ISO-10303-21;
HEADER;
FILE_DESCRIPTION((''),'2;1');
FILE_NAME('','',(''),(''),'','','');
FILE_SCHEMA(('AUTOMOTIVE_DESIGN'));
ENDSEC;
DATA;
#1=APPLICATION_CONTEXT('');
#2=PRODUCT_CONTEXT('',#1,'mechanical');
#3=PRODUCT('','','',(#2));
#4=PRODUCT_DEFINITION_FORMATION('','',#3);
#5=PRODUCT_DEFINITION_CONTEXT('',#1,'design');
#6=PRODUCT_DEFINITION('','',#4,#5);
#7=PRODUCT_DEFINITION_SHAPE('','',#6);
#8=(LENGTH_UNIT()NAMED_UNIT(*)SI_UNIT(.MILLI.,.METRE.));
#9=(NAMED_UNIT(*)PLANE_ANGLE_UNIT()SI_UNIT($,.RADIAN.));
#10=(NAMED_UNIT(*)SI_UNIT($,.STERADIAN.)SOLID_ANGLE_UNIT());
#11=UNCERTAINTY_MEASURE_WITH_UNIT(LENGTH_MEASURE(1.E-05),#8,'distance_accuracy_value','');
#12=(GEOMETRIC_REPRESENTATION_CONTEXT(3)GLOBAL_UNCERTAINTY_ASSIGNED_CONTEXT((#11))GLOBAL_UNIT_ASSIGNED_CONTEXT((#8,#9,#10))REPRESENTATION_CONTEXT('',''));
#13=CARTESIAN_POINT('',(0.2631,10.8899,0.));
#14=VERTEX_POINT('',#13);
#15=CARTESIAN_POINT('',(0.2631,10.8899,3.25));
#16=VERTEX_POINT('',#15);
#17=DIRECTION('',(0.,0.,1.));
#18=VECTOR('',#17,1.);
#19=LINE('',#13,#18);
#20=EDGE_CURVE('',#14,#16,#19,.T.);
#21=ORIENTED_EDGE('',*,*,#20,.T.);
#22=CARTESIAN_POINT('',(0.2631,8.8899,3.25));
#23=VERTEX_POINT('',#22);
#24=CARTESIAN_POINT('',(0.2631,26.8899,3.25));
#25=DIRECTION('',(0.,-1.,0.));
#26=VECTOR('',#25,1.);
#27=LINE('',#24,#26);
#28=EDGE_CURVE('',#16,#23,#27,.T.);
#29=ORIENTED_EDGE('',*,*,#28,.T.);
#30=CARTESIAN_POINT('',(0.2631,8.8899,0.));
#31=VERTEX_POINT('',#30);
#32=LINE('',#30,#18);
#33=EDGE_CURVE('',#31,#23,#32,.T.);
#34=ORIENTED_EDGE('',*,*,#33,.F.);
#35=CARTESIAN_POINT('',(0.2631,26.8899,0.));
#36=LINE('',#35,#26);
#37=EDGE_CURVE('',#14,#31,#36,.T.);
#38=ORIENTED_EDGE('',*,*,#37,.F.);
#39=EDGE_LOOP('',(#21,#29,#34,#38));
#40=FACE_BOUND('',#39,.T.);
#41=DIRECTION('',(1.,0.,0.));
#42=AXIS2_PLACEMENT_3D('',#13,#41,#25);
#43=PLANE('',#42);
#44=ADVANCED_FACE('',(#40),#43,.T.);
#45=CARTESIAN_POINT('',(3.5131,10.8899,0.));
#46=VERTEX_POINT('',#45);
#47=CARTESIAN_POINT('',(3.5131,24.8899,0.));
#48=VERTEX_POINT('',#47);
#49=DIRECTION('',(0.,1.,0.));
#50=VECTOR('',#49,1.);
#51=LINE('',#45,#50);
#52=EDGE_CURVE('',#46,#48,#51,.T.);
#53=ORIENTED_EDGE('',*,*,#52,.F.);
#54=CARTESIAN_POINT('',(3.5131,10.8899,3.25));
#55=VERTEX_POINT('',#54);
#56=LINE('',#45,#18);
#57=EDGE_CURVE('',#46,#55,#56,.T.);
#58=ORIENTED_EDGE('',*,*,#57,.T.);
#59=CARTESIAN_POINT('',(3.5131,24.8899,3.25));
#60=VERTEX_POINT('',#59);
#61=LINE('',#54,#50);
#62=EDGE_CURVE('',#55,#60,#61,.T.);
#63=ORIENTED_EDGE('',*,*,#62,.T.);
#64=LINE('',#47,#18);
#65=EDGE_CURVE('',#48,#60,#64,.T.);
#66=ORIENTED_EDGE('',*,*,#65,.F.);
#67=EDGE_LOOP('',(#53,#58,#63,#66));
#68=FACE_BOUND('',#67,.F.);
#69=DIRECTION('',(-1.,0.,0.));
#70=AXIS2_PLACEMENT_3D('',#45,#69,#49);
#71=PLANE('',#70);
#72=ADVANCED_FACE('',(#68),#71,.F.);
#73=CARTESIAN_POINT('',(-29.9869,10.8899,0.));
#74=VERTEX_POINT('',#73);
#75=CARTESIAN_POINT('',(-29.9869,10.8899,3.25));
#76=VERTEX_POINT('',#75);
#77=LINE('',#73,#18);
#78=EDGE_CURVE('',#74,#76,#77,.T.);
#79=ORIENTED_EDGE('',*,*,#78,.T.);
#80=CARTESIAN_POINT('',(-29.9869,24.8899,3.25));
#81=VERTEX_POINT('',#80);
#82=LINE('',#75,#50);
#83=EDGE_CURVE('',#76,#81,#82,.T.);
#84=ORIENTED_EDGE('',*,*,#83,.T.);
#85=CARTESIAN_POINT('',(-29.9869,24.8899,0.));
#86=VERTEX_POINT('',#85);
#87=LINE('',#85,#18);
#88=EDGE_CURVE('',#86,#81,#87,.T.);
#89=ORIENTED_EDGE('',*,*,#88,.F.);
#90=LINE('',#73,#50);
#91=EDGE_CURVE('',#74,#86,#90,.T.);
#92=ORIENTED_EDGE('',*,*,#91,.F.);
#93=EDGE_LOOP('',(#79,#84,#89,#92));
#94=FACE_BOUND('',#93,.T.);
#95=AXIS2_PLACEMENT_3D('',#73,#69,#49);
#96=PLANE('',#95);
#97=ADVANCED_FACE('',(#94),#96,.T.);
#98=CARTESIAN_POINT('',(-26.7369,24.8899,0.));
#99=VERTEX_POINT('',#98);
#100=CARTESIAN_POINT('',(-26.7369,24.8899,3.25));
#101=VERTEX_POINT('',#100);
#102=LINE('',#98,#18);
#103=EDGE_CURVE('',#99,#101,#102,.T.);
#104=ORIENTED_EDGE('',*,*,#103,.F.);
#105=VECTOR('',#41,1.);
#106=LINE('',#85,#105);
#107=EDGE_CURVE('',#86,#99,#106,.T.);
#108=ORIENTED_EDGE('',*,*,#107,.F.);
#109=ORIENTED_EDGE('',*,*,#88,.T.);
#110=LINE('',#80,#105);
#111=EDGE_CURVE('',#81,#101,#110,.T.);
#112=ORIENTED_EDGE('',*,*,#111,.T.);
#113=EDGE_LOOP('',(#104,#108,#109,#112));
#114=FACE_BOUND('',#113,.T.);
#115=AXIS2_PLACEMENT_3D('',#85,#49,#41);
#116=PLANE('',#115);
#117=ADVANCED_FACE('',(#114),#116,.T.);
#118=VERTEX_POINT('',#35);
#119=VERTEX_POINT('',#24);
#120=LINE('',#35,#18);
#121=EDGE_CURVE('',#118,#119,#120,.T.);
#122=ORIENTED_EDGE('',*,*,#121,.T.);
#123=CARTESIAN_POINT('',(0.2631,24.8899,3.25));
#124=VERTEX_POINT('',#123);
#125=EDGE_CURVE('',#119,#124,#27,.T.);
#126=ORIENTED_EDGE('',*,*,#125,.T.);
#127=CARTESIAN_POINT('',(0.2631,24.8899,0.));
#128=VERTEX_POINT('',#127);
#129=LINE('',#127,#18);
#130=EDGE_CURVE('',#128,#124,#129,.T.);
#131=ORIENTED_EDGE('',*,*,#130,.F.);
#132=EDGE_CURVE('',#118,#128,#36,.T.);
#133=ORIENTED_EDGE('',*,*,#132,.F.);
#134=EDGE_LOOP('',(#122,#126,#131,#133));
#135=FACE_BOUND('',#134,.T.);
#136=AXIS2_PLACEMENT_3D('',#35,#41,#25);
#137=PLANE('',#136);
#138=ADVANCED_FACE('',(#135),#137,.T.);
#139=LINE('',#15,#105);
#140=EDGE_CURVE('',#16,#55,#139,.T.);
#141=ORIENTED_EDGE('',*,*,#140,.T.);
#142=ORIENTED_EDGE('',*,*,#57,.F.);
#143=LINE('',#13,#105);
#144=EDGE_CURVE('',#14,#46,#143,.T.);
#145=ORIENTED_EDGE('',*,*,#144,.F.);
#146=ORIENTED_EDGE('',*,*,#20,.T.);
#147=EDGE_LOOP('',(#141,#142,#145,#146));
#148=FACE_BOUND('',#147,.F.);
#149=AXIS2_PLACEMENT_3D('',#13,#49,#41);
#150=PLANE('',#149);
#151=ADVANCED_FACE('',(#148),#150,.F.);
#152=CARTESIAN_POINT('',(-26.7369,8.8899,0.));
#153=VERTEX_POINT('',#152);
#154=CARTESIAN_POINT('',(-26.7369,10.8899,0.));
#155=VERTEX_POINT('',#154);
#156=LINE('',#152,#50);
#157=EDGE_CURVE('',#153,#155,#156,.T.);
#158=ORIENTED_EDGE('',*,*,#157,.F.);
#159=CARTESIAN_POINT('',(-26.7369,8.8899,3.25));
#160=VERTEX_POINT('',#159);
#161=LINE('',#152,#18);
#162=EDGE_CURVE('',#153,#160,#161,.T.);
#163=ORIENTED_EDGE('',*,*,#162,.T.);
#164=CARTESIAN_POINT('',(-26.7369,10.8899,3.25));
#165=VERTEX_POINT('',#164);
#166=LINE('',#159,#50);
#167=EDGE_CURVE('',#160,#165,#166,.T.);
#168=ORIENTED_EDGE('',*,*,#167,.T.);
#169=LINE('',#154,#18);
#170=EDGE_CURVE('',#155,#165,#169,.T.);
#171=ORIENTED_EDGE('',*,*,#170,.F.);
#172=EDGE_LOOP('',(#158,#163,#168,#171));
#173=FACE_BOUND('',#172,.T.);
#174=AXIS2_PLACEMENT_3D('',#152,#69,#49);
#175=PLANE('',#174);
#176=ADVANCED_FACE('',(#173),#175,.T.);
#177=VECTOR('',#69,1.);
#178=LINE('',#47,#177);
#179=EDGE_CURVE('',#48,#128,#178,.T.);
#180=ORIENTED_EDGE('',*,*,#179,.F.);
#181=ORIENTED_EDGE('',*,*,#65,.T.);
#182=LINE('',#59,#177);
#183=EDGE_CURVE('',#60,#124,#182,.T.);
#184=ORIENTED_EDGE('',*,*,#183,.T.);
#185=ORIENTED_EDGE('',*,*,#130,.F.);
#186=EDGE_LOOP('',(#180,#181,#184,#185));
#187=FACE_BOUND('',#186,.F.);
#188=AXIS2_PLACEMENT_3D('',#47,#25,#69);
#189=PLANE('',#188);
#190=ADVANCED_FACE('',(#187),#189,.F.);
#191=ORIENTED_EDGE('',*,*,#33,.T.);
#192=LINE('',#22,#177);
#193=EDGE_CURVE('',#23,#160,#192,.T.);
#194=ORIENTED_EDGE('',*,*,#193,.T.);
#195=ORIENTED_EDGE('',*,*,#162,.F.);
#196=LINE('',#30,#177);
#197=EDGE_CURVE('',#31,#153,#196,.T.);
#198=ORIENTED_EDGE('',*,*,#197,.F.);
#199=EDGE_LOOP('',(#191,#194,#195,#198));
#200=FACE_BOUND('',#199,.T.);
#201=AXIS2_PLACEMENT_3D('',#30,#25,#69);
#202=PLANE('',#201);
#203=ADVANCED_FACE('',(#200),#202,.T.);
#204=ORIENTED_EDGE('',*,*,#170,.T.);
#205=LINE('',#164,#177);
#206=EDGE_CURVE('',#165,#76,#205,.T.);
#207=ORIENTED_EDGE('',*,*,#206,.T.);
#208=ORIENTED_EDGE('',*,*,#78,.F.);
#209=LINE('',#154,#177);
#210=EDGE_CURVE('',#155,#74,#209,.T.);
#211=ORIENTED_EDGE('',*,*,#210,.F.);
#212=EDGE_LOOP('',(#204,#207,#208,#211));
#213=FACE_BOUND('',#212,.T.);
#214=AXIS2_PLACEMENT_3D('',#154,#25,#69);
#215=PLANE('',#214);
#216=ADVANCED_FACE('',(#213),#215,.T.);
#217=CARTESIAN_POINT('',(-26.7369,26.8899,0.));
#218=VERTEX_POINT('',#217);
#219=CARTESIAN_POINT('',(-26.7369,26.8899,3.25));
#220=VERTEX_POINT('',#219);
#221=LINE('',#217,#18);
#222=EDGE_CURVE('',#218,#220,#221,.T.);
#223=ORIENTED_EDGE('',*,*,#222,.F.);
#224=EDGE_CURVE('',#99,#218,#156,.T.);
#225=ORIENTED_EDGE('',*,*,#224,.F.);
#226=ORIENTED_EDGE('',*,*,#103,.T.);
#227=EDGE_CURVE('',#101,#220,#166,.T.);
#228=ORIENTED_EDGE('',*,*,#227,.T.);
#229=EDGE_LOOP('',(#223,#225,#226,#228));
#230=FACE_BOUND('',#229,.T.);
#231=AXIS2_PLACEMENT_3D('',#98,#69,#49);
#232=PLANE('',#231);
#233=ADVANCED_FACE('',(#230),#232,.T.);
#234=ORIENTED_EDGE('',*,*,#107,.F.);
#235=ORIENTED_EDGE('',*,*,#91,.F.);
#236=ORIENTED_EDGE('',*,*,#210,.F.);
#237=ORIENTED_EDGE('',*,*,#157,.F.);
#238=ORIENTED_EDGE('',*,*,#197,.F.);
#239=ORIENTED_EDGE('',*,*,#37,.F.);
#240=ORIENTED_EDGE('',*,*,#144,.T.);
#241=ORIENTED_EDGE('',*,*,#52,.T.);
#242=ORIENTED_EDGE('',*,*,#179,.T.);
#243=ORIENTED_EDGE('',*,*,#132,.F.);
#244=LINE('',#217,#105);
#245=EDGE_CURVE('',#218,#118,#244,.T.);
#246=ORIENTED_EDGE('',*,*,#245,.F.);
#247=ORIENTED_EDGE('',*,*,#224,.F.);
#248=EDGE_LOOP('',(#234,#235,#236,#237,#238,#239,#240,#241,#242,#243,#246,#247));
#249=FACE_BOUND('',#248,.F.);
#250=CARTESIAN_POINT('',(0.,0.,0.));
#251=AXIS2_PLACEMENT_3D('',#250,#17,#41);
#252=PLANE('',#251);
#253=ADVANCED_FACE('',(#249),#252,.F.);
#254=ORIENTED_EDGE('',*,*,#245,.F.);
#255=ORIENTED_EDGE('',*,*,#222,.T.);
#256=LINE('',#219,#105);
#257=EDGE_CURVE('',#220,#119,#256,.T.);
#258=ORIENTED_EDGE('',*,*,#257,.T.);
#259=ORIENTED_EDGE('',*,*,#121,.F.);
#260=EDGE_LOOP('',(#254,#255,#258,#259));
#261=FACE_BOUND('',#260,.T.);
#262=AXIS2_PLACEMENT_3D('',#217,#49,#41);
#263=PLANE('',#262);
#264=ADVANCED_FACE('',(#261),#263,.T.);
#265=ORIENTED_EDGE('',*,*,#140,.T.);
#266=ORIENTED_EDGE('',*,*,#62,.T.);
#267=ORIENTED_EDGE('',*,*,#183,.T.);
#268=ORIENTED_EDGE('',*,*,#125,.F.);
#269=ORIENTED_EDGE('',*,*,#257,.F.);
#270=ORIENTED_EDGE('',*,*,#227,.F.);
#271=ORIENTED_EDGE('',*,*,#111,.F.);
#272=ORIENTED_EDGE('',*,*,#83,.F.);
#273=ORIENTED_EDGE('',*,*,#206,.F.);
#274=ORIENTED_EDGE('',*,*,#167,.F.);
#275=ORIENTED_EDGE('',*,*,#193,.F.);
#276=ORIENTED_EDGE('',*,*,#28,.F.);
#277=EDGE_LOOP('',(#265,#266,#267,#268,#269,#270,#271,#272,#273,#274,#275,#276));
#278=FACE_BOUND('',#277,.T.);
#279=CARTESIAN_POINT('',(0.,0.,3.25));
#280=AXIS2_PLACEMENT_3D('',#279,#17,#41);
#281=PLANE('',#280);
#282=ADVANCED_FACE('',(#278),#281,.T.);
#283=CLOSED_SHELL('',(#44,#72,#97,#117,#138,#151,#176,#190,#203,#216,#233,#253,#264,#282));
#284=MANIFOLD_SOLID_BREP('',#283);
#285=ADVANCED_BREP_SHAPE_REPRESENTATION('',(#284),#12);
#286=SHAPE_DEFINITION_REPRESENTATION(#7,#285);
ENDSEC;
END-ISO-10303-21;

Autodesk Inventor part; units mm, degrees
ref_plane "YZ Plane" through (0, 0, 0) normal (1, 0, 0) x (0, 1, 0)
ref_plane "XZ Plane" through (0, 0, 0) normal (0, 1, 0) x (-1, 0, 0)
ref_plane "XY Plane" through (0, 0, 0) normal (0, 0, 1) x (1, 0, 0)
sketch "Block1" plane through (0, 0, 0) normal (0, 0, 1) x (1, 0, 0)
  circle A0 centre (74.029, 24.2723) radius 1
  line L0 (49.279, 30.4723) -> (71.779, 30.4723)
  line L1 (71.779, 30.4723) -> (71.779, 18.0723)
  line L2 (71.779, 18.0723) -> (49.279, 18.0723)
  line L3 (49.279, 18.0723) -> (49.279, 30.4723)
  line L4 (49.279, 30.4723) -> (44.779, 30.4723)
  line L5 (44.779, 30.4723) -> (44.779, 18.0723)
  line L6 (44.779, 18.0723) -> (49.279, 18.0723)
  line L7 (49.279, 18.0723) -> (49.279, 30.4723)
  line L8 (71.779, 30.4723) -> (76.279, 30.4723)
  line L9 (76.279, 30.4723) -> (76.279, 18.0723)
  line L10 (76.279, 18.0723) -> (71.779, 18.0723)
  line L11 (71.779, 18.0723) -> (71.779, 30.4723)
  line L12 (44.779, 24.2723) -> (76.279, 24.2723) construction
  line L13 (47.029, 30.4723) -> (47.029, 18.0723) construction
  circle A1 centre (47.029, 24.2723) radius 1
  line L14 (74.029, 30.4723) -> (74.029, 18.0723) construction
  point P0 (60.979, 24.0984)
  dimension "d7" = 22.5
  dimension "d8" = 12.4
  dimension "d9" = 4.5
  dimension "d10" = 4.5
  dimension "d11" = 2
  dimension "d12" = 2
sketch "Sketch1" plane through (0, 0, 0) normal (0, 0, 1) x (1, 0, 0)
  line L0 (-92.7646, -8.503) -> (-89.7646, -8.503)
  line L1 (-89.7646, -8.503) -> (-89.7646, -11.753)
  line L2 (-89.7646, -11.753) -> (-92.7646, -11.753)
  line L3 (-92.7646, -11.753) -> (-92.7646, -8.503)
  line L4 (-92.7646, -21.6527) -> (-89.7646, -21.6527)
  line L5 (-89.7646, -21.6527) -> (-89.7646, -21.7527)
  line L6 (-89.7646, -21.7527) -> (-92.7646, -21.7527)
  line L7 (-92.7646, -21.7527) -> (-92.7646, -21.6527)
  line L8 (-26.7369, 26.8899) -> (0.2631, 26.8899)
  line L9 (0.2631, 26.8899) -> (0.2631, 8.8899)
  line L10 (0.2631, 8.8899) -> (-26.7369, 8.8899)
  line L11 (-26.7369, 8.8899) -> (-26.7369, 26.8899)
  line L12 (-29.9869, 24.8899) -> (-26.7369, 24.8899)
  line L13 (-26.7369, 24.8899) -> (-26.7369, 10.8899)
  line L14 (-26.7369, 10.8899) -> (-29.9869, 10.8899)
  line L15 (-29.9869, 10.8899) -> (-29.9869, 24.8899)
  line L16 (-29.9869, 17.8899) -> (-26.7369, 17.8899) construction
  line L17 (-26.7369, 17.8899) -> (0.2631, 17.8899) construction
  line L18 (-13.2369, 26.8899) -> (-13.2369, 8.8899) construction
  line L19 (3.5131, 24.8899) -> (0.2631, 24.8899)
  line L20 (0.2631, 24.8899) -> (0.2631, 10.8899)
  line L21 (0.2631, 10.8899) -> (3.5131, 10.8899)
  line L22 (3.5131, 10.8899) -> (3.5131, 24.8899)
  line L23 (3.5131, 17.8899) -> (0.2631, 17.8899) construction
  point P0 (0, 0)
  dimension "d0" = 3
  dimension "mat" = 3.25
  dimension "d2" = 3
  dimension "d3" = 0.1
  dimension "d42" = 27
  dimension "d43" = 18
  dimension "d44" = 3.25
  dimension "d45" = 14
extrude "Extrusion6" add sketch "Sketch1" along normal blind 3.25 contours L8 L9 L10 L11 | L11 L14 L15 L12 | L19 L22 L21 L9
equation "\"d44\" = mat"
equation "\"d46\" = mat"
properties part number "arm-servo"
